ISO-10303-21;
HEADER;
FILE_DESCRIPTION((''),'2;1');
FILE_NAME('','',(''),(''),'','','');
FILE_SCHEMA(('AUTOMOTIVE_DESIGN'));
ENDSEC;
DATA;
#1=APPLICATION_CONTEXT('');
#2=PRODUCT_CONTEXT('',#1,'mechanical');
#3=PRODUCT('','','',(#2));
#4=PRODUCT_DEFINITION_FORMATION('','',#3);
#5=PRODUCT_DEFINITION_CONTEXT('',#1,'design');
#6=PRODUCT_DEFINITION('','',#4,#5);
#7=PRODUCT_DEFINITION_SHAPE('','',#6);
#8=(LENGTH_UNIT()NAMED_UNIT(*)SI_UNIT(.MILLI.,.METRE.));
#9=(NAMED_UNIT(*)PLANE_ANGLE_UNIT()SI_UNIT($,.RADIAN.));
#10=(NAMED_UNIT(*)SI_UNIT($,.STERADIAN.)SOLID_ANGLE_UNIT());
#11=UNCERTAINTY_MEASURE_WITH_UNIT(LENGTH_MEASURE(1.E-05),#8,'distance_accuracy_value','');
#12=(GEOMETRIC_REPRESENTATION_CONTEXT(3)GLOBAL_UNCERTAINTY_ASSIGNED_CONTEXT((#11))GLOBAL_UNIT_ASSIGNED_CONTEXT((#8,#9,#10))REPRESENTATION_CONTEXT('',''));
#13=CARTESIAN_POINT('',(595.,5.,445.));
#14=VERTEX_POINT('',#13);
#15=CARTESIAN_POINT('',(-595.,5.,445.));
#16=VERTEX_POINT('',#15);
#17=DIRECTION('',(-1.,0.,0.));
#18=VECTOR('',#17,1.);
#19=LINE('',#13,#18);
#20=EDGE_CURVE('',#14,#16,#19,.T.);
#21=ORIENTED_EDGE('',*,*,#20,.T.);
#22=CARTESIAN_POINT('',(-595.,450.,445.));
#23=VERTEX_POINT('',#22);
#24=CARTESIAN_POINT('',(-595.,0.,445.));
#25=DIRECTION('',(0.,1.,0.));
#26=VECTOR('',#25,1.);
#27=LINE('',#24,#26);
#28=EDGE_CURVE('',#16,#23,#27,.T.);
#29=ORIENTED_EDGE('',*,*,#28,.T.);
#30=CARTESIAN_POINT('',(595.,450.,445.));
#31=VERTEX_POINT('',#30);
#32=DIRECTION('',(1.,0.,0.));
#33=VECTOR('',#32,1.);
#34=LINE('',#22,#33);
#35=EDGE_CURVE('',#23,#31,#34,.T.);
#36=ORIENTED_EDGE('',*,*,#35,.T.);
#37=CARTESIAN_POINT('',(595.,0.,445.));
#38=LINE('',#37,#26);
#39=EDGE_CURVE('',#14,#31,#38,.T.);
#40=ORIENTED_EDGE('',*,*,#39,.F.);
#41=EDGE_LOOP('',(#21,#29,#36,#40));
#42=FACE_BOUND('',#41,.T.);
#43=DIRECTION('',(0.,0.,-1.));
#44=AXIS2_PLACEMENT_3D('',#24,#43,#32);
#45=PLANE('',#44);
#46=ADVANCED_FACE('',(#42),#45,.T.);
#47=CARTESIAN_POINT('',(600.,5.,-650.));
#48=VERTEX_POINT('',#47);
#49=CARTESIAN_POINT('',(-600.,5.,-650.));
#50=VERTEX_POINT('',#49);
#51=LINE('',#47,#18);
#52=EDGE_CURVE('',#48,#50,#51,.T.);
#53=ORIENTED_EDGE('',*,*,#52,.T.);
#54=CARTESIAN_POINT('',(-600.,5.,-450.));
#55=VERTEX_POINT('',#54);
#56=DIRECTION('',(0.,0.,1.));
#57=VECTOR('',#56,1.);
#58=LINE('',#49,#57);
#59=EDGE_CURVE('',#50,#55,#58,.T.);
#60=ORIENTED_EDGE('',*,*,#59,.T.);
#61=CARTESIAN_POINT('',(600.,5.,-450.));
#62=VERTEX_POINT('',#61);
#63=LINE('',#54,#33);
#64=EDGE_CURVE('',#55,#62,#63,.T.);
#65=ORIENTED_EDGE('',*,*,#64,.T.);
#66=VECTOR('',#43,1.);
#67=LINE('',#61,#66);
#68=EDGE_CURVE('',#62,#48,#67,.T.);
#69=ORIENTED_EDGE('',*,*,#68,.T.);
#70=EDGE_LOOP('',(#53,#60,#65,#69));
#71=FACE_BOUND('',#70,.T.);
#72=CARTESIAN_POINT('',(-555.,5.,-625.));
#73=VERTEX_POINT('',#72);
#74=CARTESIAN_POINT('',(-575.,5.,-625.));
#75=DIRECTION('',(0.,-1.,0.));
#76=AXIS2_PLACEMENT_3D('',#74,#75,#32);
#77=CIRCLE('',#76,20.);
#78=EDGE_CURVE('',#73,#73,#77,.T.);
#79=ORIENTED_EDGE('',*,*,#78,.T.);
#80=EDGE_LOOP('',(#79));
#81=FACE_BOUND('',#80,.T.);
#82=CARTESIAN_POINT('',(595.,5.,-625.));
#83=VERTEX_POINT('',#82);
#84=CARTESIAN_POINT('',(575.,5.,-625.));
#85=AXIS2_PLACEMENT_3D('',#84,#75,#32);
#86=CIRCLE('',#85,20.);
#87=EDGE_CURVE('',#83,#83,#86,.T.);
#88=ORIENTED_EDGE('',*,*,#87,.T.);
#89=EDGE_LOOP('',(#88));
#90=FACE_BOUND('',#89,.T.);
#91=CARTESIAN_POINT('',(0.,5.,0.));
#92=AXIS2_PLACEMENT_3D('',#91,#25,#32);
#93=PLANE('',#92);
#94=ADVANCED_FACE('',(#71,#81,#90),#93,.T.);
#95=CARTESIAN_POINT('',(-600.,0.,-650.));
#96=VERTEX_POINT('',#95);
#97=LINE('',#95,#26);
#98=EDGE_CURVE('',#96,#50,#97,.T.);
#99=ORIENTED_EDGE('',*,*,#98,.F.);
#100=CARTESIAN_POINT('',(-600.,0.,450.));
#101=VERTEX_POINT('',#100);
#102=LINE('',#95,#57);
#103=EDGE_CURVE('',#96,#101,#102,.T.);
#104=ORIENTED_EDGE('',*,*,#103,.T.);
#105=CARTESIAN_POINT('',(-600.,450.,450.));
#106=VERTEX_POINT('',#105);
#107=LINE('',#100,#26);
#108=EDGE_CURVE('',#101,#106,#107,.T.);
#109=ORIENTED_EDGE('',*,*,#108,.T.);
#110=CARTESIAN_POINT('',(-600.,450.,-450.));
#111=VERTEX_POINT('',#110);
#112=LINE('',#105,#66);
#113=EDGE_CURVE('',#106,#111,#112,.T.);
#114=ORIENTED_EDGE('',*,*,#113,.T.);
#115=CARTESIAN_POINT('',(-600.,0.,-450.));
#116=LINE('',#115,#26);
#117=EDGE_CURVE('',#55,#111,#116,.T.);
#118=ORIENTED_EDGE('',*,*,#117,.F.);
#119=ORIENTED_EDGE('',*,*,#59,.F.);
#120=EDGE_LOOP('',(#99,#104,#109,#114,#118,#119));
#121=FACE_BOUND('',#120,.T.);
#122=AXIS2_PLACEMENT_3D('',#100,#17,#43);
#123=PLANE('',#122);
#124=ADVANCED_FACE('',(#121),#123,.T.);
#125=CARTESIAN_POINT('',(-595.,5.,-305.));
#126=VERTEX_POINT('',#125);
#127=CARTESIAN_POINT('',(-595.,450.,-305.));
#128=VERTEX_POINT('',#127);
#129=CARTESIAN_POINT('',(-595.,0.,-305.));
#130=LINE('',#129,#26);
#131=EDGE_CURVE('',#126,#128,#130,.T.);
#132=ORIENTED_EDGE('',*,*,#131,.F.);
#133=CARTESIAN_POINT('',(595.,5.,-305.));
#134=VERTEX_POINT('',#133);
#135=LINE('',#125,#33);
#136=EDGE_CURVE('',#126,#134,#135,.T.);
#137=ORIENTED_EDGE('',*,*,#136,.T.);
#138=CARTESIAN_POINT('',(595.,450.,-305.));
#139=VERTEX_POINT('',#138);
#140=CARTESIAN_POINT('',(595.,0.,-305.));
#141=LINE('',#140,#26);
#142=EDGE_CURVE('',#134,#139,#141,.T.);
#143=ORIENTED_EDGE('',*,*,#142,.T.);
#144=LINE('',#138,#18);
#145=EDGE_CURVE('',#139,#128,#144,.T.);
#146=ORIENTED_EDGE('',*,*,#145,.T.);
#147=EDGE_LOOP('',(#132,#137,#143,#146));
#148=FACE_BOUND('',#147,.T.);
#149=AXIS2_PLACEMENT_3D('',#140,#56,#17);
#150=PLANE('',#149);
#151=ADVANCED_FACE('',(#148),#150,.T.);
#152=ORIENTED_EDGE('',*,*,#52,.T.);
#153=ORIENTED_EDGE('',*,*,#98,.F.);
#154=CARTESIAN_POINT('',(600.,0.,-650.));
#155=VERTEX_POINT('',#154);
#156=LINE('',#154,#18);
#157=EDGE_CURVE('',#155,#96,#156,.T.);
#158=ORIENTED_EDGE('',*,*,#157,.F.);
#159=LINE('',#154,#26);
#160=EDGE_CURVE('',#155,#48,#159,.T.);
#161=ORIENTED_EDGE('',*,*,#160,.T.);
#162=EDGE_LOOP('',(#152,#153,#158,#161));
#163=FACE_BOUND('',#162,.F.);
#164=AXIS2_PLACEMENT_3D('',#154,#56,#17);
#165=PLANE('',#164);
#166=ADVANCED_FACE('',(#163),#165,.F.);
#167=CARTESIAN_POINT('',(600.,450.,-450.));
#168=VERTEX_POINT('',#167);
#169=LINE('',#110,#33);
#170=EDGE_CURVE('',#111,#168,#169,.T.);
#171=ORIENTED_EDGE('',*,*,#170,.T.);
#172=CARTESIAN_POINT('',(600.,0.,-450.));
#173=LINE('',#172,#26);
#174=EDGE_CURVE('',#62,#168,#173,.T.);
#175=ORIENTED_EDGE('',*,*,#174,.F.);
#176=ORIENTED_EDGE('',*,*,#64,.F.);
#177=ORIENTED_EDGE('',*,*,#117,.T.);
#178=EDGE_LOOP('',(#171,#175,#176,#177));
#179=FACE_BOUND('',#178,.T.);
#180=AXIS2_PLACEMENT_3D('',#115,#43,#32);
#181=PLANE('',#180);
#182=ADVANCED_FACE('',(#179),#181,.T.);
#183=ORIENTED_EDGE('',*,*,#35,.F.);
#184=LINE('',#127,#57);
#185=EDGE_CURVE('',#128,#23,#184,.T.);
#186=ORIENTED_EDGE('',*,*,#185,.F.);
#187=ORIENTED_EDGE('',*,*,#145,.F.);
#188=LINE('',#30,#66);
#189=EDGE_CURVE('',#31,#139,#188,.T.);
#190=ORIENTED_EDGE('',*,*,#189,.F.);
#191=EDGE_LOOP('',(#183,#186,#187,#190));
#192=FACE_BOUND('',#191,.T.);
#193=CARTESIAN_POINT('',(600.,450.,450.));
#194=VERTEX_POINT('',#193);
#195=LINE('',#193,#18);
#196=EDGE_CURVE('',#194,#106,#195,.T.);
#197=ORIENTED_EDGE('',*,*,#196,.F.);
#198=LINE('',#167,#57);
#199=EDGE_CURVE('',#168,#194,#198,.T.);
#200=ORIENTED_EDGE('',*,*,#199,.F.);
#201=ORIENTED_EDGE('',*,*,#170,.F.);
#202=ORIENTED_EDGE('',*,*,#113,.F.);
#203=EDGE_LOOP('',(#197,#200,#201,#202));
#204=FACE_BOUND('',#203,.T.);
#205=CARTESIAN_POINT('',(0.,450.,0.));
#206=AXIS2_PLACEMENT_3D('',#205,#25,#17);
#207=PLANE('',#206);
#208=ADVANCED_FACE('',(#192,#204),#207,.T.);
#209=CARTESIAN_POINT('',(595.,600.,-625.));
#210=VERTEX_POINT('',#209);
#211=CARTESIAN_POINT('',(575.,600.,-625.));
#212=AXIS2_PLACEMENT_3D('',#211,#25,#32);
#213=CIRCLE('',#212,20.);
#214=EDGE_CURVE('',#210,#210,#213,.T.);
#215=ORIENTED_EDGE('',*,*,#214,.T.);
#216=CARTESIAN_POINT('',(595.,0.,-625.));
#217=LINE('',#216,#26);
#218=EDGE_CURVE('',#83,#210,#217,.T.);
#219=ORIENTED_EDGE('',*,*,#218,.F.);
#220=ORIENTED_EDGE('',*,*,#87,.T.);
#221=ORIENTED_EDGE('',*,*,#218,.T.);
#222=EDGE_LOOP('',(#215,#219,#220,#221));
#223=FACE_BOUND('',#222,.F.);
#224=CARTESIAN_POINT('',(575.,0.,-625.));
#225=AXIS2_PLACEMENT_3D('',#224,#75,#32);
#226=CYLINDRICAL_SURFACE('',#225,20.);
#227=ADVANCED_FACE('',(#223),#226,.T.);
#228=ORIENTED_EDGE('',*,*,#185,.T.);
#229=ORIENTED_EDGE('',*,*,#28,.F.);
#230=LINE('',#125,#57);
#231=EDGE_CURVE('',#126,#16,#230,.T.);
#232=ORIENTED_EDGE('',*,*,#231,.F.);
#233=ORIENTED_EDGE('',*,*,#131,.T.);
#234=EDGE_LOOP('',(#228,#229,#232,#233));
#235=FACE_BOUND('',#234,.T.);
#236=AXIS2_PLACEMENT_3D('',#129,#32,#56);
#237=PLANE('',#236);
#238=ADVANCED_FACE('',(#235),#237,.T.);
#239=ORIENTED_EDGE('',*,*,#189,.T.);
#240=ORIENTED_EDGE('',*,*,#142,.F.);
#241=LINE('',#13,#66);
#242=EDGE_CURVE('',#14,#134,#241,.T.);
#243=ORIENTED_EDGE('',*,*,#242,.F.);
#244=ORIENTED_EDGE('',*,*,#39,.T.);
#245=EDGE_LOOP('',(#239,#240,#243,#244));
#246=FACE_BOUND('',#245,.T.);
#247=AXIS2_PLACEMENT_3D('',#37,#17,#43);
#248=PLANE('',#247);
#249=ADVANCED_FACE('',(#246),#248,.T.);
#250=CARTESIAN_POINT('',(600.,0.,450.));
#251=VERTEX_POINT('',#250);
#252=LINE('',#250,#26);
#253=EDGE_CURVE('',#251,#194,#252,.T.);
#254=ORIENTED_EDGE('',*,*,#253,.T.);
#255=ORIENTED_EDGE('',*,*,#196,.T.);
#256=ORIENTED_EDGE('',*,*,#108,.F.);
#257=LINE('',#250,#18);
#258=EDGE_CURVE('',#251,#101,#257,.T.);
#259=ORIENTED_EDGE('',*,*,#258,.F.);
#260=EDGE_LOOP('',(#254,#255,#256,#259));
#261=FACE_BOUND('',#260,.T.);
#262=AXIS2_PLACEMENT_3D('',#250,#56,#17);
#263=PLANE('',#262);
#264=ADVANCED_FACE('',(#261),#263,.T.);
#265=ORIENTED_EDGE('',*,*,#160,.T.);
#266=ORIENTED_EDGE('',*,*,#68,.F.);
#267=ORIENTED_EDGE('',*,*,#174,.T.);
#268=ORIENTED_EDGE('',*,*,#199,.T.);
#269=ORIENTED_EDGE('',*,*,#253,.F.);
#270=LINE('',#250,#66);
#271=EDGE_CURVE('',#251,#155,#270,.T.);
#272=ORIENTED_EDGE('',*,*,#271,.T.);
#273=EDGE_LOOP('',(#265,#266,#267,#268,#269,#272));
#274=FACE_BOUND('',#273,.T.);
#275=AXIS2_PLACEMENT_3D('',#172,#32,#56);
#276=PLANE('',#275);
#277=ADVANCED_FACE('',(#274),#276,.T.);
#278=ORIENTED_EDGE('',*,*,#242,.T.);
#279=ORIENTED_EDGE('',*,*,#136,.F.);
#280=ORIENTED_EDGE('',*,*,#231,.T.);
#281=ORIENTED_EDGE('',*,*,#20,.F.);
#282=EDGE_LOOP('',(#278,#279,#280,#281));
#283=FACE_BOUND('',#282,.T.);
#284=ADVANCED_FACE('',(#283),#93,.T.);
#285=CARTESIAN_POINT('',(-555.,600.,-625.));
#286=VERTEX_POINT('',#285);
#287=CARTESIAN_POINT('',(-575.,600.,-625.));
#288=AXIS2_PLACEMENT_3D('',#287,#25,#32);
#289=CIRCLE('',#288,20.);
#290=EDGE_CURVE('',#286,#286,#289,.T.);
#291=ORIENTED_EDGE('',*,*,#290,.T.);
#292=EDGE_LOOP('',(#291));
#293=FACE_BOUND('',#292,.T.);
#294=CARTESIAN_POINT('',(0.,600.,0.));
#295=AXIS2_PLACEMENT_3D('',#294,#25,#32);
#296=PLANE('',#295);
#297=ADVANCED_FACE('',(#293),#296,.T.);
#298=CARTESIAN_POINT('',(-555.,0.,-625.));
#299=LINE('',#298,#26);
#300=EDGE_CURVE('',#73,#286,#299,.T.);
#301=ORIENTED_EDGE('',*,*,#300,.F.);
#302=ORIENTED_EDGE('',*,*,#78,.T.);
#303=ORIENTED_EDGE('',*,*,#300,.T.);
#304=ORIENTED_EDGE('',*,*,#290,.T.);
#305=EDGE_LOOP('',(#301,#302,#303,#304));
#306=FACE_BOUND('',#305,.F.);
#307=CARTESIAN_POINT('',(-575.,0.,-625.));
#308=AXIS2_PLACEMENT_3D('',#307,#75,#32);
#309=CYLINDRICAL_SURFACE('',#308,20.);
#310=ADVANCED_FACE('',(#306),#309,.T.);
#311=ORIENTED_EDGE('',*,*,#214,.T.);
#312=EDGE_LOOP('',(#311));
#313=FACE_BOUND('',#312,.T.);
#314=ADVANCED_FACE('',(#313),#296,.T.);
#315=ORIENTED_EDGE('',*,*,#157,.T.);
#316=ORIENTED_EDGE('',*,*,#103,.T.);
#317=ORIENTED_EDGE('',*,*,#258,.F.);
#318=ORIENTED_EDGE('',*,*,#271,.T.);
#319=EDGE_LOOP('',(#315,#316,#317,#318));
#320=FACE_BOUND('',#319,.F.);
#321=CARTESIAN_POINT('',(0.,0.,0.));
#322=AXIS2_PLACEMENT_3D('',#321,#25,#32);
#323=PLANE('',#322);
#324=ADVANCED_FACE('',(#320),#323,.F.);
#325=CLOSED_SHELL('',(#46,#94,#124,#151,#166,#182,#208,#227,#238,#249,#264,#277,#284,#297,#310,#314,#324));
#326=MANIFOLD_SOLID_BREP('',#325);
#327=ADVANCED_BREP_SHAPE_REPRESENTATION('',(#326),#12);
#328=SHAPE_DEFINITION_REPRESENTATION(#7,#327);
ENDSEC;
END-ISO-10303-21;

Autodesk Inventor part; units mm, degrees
ref_plane "YZ Plane" through (0, 0, 0) normal (1, 0, 0) x (0, 1, 0)
ref_plane "XZ Plane" through (0, 0, 0) normal (0, 1, 0) x (-1, 0, 0)
ref_plane "XY Plane" through (0, 0, 0) normal (0, 0, 1) x (1, 0, 0)
sketch "Sketch1" plane through (0, 0, 0) normal (0, 1, 0) x (-1, 0, 0)
  line L0 (-600, 450) -> (600, 450)
  line L1 (600, 450) -> (600, -450)
  line L2 (600, -450) -> (-600, -450)
  line L3 (-600, -450) -> (-600, 450)
  line L4 (-600, 450) -> (600, -450) construction
  line L5 (600, 450) -> (-600, -450) construction
  line L6 (595, 445) -> (-595, 445)
  line L7 (-595, 445) -> (-595, -305)
  line L8 (-595, -305) -> (595, -305)
  line L9 (595, -305) -> (595, 445)
  point P0 (0, 0)
  dimension "d0" = 1200
  dimension "d1" = 900
  dimension "d2" = 1190
  dimension "d3" = 750
extrude "Extrusion1" add sketch "Sketch1" along normal blind 450
ref_plane "Work Plane3" through (0, 0, 0) normal (0, 1, 0) x (1, 0, 0)
sketch "Sketch4" plane through (0, 0, 0) normal (0, 1, 0) x (1, 0, 0)
  line L0 (600, 450) -> (-600, 450) projected
  line L1 (-600, 450) -> (600, 450)
  line L2 (600, 450) -> (600, 650)
  line L3 (600, 650) -> (-600, 650)
  line L4 (-600, 650) -> (-600, 450)
  circle A0 centre (-575, 625) radius 20
  circle A1 centre (575, 625) radius 20
  point P0 (0, 0)
  dimension "d12" = 1200
  dimension "d13" = 200
  dimension "d14" = 40
  dimension "d15" = 40
extrude "Extrusion2" add sketch "Sketch4" along normal blind 600 contours A0 | A1
ref_plane "Work Plane6" through (0, 0, 0) normal (0, 1, 0) x (1, 0, 0)
sketch "Sketch5" plane through (0, 0, 0) normal (0, 1, 0) x (1, 0, 0)
  line L0 (-600, 450) -> (600, 450)
  line L1 (600, 450) -> (600, 650)
  line L2 (600, 650) -> (-600, 650)
  line L3 (-600, 650) -> (-600, 450)
  point P0 (0, 0)
  dimension "d18" = 1200
  dimension "d19" = 200
extrude "Extrusion3" add sketch "Sketch5" along normal blind 5
ref_plane "Work Plane7" through (0, 0, 0) normal (0, 1, 0) x (1, 0, 0)
sketch "Sketch6" plane through (0, 0, 0) normal (0, 1, 0) x (1, 0, 0)
  line L0 (-595, 305) -> (595, 305) projected
  line L1 (595, -445) -> (-595, -445) projected
  line L2 (595, 305) -> (-595, 305)
  line L3 (-595, 305) -> (-595, -445)
  line L4 (-595, -445) -> (595, -445)
  line L5 (595, -445) -> (595, 305)
  point P0 (0, 0)
extrude "Extrusion4" add sketch "Sketch6" along normal blind 5
properties part number "Distanced Top Bin"
